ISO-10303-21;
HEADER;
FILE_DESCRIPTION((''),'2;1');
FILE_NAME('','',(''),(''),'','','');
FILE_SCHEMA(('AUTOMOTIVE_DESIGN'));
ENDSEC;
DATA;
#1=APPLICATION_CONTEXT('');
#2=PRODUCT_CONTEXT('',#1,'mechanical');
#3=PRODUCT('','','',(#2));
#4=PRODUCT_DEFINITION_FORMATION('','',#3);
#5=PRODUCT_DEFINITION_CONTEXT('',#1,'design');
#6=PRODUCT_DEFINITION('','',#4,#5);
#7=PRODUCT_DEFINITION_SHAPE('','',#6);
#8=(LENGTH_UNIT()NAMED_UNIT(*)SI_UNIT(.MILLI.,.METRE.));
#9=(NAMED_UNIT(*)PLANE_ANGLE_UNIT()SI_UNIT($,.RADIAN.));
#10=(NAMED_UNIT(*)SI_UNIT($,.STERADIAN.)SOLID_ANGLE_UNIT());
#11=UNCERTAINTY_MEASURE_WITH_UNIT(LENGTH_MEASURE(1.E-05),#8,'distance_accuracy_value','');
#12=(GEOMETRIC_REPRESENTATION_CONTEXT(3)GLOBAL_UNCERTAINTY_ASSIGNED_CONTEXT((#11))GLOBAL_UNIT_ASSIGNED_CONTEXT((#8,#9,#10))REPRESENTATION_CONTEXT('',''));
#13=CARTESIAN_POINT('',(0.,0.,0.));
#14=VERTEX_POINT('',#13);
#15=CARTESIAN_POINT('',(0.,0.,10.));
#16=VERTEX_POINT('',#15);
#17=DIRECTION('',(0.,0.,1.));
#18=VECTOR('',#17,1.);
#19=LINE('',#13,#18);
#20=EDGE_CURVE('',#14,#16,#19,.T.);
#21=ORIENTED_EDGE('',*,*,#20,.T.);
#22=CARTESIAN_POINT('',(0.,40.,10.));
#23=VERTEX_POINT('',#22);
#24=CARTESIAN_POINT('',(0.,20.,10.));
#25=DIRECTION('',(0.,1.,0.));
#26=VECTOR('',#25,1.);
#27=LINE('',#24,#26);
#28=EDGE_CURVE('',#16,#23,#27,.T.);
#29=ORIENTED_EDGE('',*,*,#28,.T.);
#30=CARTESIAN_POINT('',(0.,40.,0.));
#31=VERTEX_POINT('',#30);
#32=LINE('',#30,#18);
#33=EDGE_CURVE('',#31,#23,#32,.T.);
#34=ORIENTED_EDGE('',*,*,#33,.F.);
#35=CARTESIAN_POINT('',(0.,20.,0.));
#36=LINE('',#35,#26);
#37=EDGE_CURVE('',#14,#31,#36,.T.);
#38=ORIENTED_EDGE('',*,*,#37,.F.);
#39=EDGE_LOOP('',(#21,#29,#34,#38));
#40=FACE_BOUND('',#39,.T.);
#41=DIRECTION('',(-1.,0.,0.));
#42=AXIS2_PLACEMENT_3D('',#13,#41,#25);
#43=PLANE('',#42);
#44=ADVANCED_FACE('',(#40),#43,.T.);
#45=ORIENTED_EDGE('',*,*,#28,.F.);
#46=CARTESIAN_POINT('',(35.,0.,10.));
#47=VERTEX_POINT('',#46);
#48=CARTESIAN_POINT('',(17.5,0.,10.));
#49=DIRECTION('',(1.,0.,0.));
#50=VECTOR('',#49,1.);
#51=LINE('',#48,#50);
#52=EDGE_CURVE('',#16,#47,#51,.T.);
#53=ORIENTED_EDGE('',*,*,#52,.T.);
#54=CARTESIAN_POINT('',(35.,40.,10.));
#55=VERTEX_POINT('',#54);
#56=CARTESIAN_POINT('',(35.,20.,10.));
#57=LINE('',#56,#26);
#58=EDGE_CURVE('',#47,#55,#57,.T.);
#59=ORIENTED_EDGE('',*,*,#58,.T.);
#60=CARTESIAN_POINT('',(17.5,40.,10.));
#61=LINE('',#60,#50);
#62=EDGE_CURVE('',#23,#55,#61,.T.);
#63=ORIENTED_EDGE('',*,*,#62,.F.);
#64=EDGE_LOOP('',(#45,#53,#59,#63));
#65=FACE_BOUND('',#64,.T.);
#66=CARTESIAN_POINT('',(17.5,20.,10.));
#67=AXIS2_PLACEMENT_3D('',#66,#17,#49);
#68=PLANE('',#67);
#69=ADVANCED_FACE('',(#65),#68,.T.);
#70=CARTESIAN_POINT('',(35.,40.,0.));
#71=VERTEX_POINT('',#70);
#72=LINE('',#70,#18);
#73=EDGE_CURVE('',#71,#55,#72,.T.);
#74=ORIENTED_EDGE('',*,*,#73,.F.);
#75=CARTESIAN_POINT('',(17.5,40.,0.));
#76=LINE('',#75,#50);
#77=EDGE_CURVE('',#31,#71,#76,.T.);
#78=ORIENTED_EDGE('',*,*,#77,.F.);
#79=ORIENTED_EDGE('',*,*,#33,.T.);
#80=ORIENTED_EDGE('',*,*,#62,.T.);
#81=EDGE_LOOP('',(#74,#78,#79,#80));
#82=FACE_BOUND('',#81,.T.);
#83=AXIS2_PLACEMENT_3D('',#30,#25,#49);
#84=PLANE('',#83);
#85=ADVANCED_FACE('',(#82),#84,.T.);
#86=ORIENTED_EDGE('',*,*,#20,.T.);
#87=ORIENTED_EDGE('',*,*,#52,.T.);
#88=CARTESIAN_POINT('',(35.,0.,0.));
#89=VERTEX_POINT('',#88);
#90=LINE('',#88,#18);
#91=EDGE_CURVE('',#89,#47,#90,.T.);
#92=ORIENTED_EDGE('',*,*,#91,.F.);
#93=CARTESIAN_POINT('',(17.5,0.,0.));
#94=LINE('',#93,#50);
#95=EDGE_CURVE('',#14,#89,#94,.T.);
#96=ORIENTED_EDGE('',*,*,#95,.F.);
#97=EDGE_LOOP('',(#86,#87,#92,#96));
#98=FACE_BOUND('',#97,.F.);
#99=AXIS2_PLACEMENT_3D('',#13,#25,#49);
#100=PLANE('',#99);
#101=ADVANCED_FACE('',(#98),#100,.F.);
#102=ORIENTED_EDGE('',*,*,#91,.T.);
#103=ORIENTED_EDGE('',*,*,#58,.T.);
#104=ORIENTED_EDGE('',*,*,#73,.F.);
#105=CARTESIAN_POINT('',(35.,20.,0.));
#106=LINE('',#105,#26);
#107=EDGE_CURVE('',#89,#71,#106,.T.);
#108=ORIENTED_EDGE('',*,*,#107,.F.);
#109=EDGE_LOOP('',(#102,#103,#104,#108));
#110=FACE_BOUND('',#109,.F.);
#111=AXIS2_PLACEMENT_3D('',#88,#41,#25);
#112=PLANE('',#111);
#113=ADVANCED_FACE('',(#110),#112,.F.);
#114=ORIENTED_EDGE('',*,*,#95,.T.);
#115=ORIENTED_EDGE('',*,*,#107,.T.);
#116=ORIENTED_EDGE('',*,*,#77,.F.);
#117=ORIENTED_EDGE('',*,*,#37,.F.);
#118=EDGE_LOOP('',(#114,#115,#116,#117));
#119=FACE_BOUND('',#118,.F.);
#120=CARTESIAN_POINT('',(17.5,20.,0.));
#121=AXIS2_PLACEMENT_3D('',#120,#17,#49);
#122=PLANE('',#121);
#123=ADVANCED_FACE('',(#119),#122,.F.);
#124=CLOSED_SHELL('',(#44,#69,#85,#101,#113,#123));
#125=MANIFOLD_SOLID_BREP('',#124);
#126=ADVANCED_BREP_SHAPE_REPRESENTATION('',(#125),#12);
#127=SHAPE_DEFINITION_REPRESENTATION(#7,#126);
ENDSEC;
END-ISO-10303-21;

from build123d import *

# Parameters (mm, degrees)
SCHIZZO1_W                   = 35
SCHIZZO1_H                   = 40
ESTRUSIONE_ESTRUSIONE1_DEPTH = 10


with BuildPart() as part:
    # Schizzo1 → Estrusione-Estrusione1 (new body)
    with BuildSketch(Plane.XY):
        with Locations((17.5, 20)):
            Rectangle(SCHIZZO1_W, SCHIZZO1_H)
    extrude(amount=ESTRUSIONE_ESTRUSIONE1_DEPTH)


solid = part.part
